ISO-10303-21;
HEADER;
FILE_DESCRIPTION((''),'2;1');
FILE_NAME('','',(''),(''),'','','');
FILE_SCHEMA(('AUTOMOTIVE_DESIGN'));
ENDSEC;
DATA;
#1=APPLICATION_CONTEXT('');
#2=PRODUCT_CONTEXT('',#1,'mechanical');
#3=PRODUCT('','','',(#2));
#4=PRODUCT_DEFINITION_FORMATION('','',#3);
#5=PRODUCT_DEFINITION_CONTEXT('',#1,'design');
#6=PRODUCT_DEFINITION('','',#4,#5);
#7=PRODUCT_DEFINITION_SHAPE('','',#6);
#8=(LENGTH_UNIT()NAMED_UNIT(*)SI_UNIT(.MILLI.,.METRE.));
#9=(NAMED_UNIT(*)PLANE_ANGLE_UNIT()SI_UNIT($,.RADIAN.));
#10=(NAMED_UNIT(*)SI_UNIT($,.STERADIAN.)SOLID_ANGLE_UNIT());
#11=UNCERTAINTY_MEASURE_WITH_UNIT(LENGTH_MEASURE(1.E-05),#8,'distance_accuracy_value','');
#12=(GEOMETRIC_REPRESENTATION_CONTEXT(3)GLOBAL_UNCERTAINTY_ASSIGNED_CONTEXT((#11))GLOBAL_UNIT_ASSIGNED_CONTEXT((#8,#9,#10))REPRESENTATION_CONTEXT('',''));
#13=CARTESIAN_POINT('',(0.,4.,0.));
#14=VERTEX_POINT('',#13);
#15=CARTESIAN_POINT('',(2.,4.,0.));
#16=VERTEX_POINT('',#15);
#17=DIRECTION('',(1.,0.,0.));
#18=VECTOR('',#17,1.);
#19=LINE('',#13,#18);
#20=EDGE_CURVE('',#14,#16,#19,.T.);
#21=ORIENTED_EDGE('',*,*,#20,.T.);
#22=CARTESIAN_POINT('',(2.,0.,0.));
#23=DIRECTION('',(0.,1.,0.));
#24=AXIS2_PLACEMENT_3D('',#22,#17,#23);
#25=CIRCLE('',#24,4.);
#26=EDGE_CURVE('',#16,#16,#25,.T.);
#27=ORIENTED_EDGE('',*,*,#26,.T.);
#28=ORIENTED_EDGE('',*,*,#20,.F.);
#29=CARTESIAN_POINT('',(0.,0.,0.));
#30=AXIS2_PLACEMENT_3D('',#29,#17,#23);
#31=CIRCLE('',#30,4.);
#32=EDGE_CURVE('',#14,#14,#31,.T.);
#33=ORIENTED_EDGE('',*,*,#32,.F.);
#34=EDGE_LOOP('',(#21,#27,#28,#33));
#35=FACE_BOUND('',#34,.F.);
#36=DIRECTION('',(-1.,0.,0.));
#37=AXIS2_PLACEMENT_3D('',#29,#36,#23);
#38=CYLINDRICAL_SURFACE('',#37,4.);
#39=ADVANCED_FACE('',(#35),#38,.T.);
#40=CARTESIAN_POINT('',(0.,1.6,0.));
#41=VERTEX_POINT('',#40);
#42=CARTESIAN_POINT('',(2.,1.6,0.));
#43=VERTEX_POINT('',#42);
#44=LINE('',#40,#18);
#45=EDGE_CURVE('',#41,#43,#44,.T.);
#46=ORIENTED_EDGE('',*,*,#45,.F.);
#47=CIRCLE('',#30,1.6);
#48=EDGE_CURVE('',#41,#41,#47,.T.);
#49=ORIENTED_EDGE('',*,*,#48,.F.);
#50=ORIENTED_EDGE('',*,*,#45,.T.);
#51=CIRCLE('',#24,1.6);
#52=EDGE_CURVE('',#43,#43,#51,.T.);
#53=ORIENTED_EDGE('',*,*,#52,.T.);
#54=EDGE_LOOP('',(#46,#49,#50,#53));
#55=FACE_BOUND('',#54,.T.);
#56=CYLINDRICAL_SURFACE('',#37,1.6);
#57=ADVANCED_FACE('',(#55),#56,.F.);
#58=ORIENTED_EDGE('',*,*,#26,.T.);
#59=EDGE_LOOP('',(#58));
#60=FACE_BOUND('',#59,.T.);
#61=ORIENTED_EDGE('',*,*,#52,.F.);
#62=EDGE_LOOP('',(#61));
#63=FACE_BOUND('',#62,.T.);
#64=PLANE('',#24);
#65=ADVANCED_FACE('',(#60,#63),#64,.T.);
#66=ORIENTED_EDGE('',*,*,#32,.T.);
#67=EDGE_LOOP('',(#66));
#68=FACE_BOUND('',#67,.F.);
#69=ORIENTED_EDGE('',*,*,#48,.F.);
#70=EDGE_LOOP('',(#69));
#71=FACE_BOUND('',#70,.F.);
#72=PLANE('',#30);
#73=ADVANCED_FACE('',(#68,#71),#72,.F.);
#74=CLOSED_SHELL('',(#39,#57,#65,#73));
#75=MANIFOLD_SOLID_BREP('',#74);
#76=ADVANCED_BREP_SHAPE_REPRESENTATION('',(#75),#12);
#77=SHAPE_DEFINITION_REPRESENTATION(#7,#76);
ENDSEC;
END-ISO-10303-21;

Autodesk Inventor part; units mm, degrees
ref_plane "YZ Plane" through (0, 0, 0) normal (1, 0, 0) x (0, 1, 0)
ref_plane "XZ Plane" through (0, 0, 0) normal (0, 1, 0) x (-1, 0, 0)
ref_plane "XY Plane" through (0, 0, 0) normal (0, 0, 1) x (1, 0, 0)
sketch "スケッチ1" plane through (0, 0, 0) normal (1, 0, 0) x (0, 1, 0)
  circle A0 centre (0, 0) radius 4
  circle A1 centre (0, 0) radius 1.6
  dimension "d0" = 8
  dimension "d1" = 3.2
extrude "押し出し1" add sketch "スケッチ1" along normal blind 2
properties part number "base_weel-v2-3DP-spesa-1" material "ABS プラスチック"
